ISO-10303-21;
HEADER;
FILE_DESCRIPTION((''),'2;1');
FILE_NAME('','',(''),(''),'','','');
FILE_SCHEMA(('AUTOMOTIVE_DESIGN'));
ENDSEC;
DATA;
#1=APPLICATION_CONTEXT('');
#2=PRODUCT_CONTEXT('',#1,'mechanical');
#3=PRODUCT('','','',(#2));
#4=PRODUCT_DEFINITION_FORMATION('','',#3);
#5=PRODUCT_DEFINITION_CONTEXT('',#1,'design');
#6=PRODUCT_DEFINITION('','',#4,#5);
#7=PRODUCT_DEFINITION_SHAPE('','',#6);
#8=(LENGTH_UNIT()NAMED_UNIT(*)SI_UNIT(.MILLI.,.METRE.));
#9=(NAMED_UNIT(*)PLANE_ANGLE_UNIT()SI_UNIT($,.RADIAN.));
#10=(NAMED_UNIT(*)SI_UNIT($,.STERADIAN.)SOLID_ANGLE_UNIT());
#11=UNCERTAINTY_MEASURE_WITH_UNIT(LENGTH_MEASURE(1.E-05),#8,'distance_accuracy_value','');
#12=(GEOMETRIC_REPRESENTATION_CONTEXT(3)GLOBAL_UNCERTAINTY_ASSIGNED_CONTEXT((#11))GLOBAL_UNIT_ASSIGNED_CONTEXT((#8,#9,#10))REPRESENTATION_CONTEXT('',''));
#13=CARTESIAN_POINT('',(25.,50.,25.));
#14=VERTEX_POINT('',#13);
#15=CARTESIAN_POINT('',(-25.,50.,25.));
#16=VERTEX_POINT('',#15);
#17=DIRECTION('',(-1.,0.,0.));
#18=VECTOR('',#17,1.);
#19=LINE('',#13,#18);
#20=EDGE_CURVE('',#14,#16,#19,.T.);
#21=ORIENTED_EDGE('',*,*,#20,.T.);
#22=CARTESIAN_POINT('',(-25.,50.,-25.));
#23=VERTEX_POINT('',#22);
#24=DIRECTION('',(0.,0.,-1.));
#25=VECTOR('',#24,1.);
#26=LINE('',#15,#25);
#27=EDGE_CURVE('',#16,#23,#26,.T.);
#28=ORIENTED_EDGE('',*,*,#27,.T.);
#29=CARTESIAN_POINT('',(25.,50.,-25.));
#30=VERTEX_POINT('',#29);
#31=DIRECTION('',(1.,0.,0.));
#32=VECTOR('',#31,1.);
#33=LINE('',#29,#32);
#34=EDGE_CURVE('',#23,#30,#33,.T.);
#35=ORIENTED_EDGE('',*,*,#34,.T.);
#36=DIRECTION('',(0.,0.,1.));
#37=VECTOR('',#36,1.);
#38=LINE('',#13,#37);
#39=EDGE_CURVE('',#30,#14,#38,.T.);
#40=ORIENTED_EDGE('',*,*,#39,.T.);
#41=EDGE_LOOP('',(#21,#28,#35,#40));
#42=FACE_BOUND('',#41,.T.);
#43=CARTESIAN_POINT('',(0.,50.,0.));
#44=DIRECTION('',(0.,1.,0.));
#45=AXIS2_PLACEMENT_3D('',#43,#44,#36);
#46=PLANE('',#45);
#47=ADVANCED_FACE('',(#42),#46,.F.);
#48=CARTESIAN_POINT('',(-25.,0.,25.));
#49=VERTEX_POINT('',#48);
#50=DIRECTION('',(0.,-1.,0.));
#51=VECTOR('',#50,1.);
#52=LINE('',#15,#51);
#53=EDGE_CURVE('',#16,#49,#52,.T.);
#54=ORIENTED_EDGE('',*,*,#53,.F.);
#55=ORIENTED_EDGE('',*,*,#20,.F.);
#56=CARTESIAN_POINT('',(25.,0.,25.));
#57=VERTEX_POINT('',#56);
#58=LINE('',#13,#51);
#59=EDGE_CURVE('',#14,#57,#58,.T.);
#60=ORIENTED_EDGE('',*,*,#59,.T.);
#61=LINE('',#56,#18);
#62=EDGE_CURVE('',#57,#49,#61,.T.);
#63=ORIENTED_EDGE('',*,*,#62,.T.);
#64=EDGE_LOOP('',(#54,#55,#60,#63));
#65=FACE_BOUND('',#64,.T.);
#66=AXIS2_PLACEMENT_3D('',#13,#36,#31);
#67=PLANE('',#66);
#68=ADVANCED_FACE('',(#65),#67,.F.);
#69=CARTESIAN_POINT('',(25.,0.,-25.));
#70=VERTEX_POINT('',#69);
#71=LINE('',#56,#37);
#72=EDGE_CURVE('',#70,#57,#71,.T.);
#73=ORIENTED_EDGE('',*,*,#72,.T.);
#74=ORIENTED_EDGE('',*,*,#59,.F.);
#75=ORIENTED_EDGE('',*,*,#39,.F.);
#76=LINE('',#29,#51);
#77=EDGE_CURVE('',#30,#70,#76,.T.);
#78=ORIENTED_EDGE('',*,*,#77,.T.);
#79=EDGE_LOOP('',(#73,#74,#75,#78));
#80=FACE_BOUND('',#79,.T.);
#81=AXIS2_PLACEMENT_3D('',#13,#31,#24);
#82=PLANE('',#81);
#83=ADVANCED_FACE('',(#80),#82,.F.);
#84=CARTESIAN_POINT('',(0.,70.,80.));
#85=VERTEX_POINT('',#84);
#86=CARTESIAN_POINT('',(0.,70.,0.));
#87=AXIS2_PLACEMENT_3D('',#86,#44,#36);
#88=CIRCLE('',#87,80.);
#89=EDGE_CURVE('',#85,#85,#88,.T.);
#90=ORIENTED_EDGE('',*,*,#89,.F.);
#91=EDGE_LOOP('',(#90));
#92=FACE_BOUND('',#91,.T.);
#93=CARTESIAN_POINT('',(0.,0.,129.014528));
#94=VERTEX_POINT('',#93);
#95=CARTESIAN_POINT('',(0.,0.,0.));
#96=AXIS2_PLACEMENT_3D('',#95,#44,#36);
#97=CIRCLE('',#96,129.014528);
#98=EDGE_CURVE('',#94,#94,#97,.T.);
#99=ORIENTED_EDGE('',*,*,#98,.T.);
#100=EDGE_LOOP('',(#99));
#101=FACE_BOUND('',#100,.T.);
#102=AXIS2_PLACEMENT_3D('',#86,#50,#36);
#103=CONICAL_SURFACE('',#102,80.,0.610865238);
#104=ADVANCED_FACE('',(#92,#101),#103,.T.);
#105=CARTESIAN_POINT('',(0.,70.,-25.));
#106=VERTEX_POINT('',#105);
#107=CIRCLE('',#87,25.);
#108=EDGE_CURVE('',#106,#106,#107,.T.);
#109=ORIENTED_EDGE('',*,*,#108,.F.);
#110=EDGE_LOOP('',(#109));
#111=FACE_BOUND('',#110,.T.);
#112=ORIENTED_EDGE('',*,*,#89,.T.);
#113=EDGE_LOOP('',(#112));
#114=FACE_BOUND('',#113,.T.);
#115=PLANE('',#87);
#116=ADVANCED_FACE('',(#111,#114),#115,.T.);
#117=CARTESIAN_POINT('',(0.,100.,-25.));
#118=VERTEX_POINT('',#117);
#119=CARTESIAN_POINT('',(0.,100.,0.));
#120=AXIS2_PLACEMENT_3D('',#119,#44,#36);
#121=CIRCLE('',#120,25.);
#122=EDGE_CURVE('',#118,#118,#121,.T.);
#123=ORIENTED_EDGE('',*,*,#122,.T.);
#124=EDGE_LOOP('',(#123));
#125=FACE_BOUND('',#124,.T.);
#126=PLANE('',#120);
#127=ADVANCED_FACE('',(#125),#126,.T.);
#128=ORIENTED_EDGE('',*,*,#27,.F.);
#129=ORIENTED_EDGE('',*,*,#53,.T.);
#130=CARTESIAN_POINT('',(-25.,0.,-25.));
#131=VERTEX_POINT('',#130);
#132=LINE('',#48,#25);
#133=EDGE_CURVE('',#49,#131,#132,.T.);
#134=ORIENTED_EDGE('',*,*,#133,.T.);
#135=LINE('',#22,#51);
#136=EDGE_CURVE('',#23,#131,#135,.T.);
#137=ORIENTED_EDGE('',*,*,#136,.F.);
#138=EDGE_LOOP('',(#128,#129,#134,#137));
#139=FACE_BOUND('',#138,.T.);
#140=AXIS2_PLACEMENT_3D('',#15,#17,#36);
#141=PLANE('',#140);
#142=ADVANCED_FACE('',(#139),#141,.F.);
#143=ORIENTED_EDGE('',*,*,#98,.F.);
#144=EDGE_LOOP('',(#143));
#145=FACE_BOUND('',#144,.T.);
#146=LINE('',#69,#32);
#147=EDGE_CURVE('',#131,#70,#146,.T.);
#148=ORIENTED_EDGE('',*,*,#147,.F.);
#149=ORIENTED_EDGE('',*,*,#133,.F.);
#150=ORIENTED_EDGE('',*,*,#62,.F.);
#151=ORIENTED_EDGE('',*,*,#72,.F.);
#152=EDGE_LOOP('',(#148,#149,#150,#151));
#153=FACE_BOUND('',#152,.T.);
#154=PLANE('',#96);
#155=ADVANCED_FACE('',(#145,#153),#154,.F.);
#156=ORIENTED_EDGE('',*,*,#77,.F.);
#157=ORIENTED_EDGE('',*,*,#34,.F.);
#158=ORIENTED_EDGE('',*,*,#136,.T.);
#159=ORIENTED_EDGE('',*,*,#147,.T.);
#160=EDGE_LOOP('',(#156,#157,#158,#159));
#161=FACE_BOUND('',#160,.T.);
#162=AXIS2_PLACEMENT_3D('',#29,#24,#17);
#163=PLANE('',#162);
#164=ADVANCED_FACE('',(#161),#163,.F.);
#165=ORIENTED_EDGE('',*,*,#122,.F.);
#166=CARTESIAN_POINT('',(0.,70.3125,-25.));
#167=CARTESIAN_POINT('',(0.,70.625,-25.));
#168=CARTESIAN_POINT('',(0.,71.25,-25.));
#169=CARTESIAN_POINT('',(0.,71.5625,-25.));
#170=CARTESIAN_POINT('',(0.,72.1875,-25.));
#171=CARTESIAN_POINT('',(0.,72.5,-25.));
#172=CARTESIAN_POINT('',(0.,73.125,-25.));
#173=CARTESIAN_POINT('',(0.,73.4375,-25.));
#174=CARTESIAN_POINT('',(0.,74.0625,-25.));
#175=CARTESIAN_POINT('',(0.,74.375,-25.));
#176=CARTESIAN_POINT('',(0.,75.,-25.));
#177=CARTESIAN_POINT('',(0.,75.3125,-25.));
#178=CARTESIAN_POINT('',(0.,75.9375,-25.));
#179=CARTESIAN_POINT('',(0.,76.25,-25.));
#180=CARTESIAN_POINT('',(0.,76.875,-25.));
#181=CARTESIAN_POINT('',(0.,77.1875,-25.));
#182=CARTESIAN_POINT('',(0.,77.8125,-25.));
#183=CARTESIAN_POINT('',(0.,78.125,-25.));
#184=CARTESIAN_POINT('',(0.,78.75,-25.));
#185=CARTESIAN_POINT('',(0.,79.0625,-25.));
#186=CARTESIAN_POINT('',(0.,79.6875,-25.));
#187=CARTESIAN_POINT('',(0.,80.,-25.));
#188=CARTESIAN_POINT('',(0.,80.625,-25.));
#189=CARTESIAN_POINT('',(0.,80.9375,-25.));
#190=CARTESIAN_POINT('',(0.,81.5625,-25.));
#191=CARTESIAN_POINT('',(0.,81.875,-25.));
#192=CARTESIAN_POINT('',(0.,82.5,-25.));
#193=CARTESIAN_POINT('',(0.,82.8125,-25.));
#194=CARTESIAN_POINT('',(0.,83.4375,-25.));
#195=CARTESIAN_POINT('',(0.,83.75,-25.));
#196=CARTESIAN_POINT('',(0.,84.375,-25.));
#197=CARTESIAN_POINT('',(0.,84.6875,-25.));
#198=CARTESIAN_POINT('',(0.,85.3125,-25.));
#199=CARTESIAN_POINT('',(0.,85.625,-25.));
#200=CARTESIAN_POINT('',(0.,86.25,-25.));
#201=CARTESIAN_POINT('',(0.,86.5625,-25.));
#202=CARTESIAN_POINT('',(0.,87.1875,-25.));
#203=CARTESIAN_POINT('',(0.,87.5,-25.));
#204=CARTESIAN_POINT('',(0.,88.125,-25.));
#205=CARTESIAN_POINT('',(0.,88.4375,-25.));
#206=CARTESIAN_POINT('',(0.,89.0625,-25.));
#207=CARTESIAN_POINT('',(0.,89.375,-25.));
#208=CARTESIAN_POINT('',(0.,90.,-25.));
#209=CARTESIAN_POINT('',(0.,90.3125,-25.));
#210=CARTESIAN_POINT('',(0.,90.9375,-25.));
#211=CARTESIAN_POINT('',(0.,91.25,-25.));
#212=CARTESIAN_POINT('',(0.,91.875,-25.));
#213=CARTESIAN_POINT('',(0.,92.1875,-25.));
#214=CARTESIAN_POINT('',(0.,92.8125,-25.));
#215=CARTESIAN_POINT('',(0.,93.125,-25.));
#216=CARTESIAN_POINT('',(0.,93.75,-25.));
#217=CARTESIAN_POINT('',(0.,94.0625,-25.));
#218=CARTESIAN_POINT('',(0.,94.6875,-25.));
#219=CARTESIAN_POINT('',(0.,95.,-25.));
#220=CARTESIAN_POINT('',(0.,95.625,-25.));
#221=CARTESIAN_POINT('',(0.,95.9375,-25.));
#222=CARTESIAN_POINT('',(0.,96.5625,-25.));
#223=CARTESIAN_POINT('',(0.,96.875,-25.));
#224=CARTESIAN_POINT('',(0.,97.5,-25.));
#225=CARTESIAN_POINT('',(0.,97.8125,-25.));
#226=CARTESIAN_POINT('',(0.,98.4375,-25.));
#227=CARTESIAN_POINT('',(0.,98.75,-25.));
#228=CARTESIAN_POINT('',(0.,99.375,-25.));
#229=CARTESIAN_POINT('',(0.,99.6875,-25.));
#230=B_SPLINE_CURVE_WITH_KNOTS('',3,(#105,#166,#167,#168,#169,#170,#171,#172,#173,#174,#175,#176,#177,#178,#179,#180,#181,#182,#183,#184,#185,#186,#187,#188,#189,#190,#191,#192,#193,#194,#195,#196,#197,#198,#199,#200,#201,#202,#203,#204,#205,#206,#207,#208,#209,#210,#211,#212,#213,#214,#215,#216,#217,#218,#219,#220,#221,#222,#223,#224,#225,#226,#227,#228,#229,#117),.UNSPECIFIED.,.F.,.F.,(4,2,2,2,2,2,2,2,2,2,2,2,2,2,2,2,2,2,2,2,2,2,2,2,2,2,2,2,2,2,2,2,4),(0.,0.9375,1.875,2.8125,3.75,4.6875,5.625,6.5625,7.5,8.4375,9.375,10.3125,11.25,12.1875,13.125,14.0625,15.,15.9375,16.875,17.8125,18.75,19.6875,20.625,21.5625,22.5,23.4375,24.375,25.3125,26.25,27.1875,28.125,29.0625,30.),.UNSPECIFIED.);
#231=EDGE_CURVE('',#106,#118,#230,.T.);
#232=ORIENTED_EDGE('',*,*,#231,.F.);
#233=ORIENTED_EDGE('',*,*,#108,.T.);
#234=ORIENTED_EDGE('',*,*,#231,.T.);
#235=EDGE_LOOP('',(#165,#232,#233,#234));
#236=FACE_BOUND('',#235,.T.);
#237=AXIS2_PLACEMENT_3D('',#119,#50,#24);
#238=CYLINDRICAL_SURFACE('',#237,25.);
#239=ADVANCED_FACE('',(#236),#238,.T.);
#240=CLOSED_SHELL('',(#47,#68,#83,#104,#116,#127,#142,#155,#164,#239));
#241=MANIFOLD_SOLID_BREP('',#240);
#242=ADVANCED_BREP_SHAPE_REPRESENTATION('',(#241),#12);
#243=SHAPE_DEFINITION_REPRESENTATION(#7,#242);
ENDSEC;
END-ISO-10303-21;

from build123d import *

# Parameters (mm, degrees)
SKETCH1_R           = 25
BOSS_EXTRUDE1_DEPTH = 100
SKETCH2_R           = 80
BOSS_EXTRUDE2_DEPTH = 70
DRAFT1_ANGLE        = 35
SKETCH4_W           = 50
SKETCH4_H           = 50
CUT_EXTRUDE1_DEPTH  = 50


with BuildPart() as part:
    # Sketch1 → Boss-Extrude1 (new body)
    with BuildSketch(Plane(origin=(0, 0, 0), x_dir=(1, 0, 0), z_dir=(0, 1, 0))):
        with Locations(Location((0, 0, 0), (0, 0, 90))):
            Circle(SKETCH1_R)
    extrude(amount=BOSS_EXTRUDE1_DEPTH)

    # Sketch2 → Boss-Extrude2 (add)
    with BuildSketch(Plane(origin=(0, 0, 0), x_dir=(1, 0, 0), z_dir=(0, 1, 0))):
        with Locations(Location((0, 0, 0), (0, 0, 270))):
            Circle(SKETCH2_R)
    extrude(amount=BOSS_EXTRUDE2_DEPTH)

    # Draft1
    draft1_faces = [part.faces().sort_by_distance(p)[0] for p in [
        (0, 35, -80),
    ]]
    draft(draft1_faces, Plane.ZX.offset(70), DRAFT1_ANGLE)

    # Sketch4 → Cut-Extrude1 (cut)
    with BuildSketch(Plane.XZ):
        Rectangle(SKETCH4_W, SKETCH4_H)
    extrude(amount=-CUT_EXTRUDE1_DEPTH, mode=Mode.SUBTRACT)


solid = part.part
